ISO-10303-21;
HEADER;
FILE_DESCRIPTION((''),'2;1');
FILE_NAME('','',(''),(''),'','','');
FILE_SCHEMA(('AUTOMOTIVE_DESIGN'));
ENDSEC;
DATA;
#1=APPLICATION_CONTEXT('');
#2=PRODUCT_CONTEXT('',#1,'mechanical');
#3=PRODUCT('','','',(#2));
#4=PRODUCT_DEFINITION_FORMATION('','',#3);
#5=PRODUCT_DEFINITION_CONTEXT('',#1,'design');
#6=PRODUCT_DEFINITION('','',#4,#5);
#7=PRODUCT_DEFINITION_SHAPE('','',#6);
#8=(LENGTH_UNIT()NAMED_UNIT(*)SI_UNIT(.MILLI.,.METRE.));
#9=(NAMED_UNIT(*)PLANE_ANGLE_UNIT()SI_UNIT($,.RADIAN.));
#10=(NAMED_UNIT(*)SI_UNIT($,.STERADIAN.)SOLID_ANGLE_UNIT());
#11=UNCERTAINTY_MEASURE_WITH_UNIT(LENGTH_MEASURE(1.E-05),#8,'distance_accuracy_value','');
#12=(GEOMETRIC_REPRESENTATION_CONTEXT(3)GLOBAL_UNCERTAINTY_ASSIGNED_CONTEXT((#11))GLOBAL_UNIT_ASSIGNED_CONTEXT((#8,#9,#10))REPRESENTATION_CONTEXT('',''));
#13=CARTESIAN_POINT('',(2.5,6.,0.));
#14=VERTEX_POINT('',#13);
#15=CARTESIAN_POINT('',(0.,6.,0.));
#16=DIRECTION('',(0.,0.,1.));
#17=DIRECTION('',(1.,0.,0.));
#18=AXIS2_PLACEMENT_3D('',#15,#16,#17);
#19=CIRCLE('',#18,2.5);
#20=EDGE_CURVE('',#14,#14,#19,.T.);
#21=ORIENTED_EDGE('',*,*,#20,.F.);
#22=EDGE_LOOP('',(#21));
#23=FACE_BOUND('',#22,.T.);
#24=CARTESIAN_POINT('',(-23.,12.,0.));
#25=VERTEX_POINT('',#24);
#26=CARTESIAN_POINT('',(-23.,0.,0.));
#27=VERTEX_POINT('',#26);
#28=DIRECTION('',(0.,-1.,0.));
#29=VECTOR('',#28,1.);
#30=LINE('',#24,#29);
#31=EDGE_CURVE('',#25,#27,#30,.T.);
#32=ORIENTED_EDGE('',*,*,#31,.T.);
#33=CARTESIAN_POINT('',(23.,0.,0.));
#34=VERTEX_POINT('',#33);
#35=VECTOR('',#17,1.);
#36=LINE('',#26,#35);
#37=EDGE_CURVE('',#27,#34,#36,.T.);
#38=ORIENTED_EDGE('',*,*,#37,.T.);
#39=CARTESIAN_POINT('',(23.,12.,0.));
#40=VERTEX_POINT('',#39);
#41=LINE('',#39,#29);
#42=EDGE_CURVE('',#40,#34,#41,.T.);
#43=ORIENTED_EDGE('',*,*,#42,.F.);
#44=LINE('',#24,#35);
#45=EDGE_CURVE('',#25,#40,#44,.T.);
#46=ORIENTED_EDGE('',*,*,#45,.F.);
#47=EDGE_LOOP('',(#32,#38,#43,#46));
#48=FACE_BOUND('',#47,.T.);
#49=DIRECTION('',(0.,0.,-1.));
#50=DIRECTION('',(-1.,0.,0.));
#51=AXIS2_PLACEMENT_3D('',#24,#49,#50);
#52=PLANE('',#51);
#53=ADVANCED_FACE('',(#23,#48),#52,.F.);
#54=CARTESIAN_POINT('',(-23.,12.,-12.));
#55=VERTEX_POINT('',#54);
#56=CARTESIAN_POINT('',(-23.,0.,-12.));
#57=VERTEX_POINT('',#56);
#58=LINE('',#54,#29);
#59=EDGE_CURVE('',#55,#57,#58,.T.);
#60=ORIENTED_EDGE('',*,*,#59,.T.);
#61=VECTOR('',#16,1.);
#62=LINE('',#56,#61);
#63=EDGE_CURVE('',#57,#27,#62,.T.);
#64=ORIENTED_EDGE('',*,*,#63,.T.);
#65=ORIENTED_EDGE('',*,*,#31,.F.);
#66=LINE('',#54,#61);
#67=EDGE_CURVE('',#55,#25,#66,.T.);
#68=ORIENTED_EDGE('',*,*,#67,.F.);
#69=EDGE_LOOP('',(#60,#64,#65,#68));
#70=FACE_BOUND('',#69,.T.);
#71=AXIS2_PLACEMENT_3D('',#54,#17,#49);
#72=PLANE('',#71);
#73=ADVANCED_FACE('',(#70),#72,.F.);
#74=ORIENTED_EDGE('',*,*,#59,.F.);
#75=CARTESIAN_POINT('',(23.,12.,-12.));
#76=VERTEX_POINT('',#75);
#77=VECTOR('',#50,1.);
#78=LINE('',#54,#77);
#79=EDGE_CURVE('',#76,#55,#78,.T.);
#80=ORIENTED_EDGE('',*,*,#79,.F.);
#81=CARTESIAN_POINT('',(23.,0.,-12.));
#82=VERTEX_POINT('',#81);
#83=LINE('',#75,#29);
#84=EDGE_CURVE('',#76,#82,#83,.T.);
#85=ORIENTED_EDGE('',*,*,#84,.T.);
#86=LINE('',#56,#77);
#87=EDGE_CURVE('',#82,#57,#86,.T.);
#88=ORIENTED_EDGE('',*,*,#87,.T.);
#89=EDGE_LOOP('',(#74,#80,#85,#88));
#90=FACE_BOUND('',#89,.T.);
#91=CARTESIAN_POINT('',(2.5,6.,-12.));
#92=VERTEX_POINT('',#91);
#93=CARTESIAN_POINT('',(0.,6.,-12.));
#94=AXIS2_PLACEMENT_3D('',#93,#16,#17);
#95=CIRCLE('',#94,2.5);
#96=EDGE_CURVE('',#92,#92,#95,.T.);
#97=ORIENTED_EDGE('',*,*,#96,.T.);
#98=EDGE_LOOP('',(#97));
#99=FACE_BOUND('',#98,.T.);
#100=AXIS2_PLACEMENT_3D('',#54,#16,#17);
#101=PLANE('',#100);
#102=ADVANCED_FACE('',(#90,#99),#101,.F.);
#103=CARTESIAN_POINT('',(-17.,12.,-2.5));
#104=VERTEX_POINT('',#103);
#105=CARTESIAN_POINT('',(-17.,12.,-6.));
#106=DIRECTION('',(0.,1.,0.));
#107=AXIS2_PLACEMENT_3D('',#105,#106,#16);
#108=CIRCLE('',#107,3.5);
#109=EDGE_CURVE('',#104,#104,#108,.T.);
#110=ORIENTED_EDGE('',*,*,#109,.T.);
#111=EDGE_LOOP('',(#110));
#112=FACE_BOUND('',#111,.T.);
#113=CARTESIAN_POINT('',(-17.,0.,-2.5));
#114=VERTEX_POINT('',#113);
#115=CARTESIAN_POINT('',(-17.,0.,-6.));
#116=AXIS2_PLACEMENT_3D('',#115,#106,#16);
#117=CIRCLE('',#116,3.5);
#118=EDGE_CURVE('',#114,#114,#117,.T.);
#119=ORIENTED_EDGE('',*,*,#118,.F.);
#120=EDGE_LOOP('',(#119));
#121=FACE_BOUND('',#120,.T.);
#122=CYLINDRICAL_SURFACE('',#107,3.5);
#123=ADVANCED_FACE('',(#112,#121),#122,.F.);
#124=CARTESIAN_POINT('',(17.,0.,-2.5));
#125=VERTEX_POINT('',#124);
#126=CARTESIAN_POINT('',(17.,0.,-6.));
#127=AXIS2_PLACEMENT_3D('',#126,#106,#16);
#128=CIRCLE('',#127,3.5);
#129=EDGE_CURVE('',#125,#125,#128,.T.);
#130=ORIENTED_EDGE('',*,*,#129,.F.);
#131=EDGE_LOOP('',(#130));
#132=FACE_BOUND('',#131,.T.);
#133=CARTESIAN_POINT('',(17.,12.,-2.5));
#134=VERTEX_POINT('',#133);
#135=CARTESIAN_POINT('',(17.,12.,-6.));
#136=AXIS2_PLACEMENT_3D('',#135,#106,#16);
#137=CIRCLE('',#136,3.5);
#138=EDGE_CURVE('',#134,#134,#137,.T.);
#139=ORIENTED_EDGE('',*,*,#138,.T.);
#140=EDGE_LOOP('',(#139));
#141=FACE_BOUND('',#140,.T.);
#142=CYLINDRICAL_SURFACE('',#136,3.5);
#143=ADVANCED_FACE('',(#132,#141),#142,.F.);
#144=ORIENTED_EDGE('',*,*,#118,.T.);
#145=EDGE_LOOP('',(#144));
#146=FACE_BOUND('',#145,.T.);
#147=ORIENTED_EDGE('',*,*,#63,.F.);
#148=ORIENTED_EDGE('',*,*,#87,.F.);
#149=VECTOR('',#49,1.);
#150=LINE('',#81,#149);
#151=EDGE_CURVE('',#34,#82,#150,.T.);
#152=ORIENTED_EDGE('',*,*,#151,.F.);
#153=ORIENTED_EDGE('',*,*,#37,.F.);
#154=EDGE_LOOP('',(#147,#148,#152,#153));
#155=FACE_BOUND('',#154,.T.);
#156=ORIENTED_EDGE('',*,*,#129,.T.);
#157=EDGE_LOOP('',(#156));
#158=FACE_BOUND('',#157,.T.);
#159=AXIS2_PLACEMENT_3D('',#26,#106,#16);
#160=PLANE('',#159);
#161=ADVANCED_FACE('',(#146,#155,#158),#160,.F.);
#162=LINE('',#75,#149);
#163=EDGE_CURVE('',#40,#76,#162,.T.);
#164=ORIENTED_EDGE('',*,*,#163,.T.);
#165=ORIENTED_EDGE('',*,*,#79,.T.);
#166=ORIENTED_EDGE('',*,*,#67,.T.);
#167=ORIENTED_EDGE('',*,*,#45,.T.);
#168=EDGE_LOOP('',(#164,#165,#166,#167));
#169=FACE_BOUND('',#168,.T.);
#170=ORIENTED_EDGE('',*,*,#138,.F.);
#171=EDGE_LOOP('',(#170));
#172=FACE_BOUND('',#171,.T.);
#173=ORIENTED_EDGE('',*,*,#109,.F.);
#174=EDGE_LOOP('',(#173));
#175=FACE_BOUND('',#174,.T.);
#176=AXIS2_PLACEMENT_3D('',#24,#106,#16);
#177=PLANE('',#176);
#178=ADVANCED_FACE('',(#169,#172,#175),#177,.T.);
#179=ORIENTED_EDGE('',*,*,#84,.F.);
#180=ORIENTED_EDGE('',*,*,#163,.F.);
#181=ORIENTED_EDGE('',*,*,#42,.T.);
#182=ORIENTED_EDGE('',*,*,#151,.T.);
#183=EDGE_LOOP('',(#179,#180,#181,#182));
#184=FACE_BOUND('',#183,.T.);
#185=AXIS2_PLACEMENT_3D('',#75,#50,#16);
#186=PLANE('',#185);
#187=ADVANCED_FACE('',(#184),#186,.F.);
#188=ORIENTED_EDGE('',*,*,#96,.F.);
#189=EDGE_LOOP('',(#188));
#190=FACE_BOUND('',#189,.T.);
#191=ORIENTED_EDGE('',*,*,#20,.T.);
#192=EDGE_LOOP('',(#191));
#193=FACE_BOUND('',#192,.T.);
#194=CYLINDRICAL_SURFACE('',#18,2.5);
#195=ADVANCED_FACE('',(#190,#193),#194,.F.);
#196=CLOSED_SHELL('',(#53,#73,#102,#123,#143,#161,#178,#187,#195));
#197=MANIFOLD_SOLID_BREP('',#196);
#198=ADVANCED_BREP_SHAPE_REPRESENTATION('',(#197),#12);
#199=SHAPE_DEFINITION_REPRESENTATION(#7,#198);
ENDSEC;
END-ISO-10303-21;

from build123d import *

# Parameters (mm, degrees)
SKETCH1_W                = 46
SKETCH1_H                = 12
BOSS_EXTRUDE1_DEPTH      = 12
F_7_0_7_DIAMETER_HOLE1_D = 7
M6X1_0_TAPPED_HOLE1_D    = 5


with BuildPart() as part:
    # Sketch1 → Boss-Extrude1 (new body)
    with BuildSketch(Plane(origin=(0, 0, 0), x_dir=(1, 0, 0), z_dir=(0, 1, 0))):
        with Locations((0, 6)):
            Rectangle(SKETCH1_W, SKETCH1_H)
    extrude(amount=BOSS_EXTRUDE1_DEPTH)

    # Ø7.0 (7) Diameter Hole1 (through all)
    with Locations(Plane(origin=(-8.628001273, 12, -9.044925154), x_dir=(1, 0, 0), z_dir=(0, 1, 0))):
        with Locations((25.628001273, -3.044925154), (-8.371998727, -3.044925154)):
            Hole(F_7_0_7_DIAMETER_HOLE1_D / 2)

    # M6x1.0 Tapped Hole1 (through all)
    with Locations(Plane.XY):
        with Locations((0, 6)):
            Hole(M6X1_0_TAPPED_HOLE1_D / 2)


solid = part.part
